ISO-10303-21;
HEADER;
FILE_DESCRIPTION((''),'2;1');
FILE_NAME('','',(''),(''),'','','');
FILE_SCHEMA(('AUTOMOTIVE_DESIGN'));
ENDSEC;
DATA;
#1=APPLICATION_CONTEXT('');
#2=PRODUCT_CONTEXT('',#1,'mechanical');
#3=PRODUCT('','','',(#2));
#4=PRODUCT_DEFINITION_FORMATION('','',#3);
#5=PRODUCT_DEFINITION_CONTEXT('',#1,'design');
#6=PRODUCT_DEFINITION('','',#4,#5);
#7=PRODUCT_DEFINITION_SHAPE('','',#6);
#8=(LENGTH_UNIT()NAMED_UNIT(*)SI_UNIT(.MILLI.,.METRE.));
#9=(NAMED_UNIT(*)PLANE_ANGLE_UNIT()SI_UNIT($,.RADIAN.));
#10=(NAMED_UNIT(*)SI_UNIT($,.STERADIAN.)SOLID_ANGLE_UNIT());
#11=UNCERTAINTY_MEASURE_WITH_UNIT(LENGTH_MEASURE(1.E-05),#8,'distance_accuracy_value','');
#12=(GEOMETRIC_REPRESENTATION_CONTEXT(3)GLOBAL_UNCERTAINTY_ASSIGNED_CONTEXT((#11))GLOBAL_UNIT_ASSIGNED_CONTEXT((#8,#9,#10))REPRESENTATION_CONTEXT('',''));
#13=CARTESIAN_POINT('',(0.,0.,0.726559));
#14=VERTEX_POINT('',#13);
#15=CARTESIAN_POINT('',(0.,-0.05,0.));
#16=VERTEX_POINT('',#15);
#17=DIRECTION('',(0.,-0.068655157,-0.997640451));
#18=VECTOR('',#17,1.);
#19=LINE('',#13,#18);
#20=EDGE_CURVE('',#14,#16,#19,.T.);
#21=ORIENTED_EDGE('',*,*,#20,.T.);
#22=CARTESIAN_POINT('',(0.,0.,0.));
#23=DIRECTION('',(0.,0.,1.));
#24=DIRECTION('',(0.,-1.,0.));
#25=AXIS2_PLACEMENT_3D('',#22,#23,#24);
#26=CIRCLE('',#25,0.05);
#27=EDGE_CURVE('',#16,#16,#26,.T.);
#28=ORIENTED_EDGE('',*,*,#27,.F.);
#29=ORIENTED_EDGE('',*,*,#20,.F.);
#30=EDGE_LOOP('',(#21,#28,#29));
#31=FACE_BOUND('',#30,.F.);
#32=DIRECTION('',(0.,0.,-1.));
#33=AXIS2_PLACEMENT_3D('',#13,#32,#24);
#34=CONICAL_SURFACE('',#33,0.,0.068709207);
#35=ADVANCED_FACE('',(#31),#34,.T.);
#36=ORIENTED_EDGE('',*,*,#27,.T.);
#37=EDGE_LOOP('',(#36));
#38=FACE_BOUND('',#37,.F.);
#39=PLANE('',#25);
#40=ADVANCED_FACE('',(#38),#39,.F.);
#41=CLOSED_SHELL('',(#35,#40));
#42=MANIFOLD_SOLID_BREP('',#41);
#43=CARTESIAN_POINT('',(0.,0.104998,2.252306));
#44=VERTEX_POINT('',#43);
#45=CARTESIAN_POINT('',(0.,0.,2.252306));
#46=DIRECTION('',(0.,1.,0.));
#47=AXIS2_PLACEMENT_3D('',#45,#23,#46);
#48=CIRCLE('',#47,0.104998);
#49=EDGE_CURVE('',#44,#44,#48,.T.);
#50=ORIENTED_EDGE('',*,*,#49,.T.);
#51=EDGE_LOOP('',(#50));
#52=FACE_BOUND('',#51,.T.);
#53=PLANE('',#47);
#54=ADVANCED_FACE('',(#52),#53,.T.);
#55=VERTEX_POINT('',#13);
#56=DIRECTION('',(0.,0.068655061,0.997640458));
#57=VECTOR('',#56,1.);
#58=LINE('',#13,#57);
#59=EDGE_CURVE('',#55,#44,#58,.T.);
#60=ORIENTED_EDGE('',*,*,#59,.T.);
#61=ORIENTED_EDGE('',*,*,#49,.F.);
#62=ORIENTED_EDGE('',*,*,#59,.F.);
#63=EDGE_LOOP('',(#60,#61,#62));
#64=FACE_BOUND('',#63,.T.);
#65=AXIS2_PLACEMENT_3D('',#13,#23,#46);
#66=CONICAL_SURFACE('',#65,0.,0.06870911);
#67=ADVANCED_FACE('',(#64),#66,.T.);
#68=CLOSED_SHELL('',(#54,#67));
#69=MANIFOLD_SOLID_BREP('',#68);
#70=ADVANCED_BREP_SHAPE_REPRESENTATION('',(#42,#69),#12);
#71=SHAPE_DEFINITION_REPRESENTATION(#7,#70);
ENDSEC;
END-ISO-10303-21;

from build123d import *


with BuildPart() as f1:
    # F0 (on Right) → F1 (revolve)
    with BuildSketch(Plane.YZ):
        Polygon((-0.05, 0), (0, 0), (0, 0.726559), align=None)
        Polygon((0, 2.252306), (0, 0.726559), (0.104998, 2.252306), align=None)
    revolve(axis=Axis((0, 0, 1.126153), (0, 0, 1)))


solid = f1.part
